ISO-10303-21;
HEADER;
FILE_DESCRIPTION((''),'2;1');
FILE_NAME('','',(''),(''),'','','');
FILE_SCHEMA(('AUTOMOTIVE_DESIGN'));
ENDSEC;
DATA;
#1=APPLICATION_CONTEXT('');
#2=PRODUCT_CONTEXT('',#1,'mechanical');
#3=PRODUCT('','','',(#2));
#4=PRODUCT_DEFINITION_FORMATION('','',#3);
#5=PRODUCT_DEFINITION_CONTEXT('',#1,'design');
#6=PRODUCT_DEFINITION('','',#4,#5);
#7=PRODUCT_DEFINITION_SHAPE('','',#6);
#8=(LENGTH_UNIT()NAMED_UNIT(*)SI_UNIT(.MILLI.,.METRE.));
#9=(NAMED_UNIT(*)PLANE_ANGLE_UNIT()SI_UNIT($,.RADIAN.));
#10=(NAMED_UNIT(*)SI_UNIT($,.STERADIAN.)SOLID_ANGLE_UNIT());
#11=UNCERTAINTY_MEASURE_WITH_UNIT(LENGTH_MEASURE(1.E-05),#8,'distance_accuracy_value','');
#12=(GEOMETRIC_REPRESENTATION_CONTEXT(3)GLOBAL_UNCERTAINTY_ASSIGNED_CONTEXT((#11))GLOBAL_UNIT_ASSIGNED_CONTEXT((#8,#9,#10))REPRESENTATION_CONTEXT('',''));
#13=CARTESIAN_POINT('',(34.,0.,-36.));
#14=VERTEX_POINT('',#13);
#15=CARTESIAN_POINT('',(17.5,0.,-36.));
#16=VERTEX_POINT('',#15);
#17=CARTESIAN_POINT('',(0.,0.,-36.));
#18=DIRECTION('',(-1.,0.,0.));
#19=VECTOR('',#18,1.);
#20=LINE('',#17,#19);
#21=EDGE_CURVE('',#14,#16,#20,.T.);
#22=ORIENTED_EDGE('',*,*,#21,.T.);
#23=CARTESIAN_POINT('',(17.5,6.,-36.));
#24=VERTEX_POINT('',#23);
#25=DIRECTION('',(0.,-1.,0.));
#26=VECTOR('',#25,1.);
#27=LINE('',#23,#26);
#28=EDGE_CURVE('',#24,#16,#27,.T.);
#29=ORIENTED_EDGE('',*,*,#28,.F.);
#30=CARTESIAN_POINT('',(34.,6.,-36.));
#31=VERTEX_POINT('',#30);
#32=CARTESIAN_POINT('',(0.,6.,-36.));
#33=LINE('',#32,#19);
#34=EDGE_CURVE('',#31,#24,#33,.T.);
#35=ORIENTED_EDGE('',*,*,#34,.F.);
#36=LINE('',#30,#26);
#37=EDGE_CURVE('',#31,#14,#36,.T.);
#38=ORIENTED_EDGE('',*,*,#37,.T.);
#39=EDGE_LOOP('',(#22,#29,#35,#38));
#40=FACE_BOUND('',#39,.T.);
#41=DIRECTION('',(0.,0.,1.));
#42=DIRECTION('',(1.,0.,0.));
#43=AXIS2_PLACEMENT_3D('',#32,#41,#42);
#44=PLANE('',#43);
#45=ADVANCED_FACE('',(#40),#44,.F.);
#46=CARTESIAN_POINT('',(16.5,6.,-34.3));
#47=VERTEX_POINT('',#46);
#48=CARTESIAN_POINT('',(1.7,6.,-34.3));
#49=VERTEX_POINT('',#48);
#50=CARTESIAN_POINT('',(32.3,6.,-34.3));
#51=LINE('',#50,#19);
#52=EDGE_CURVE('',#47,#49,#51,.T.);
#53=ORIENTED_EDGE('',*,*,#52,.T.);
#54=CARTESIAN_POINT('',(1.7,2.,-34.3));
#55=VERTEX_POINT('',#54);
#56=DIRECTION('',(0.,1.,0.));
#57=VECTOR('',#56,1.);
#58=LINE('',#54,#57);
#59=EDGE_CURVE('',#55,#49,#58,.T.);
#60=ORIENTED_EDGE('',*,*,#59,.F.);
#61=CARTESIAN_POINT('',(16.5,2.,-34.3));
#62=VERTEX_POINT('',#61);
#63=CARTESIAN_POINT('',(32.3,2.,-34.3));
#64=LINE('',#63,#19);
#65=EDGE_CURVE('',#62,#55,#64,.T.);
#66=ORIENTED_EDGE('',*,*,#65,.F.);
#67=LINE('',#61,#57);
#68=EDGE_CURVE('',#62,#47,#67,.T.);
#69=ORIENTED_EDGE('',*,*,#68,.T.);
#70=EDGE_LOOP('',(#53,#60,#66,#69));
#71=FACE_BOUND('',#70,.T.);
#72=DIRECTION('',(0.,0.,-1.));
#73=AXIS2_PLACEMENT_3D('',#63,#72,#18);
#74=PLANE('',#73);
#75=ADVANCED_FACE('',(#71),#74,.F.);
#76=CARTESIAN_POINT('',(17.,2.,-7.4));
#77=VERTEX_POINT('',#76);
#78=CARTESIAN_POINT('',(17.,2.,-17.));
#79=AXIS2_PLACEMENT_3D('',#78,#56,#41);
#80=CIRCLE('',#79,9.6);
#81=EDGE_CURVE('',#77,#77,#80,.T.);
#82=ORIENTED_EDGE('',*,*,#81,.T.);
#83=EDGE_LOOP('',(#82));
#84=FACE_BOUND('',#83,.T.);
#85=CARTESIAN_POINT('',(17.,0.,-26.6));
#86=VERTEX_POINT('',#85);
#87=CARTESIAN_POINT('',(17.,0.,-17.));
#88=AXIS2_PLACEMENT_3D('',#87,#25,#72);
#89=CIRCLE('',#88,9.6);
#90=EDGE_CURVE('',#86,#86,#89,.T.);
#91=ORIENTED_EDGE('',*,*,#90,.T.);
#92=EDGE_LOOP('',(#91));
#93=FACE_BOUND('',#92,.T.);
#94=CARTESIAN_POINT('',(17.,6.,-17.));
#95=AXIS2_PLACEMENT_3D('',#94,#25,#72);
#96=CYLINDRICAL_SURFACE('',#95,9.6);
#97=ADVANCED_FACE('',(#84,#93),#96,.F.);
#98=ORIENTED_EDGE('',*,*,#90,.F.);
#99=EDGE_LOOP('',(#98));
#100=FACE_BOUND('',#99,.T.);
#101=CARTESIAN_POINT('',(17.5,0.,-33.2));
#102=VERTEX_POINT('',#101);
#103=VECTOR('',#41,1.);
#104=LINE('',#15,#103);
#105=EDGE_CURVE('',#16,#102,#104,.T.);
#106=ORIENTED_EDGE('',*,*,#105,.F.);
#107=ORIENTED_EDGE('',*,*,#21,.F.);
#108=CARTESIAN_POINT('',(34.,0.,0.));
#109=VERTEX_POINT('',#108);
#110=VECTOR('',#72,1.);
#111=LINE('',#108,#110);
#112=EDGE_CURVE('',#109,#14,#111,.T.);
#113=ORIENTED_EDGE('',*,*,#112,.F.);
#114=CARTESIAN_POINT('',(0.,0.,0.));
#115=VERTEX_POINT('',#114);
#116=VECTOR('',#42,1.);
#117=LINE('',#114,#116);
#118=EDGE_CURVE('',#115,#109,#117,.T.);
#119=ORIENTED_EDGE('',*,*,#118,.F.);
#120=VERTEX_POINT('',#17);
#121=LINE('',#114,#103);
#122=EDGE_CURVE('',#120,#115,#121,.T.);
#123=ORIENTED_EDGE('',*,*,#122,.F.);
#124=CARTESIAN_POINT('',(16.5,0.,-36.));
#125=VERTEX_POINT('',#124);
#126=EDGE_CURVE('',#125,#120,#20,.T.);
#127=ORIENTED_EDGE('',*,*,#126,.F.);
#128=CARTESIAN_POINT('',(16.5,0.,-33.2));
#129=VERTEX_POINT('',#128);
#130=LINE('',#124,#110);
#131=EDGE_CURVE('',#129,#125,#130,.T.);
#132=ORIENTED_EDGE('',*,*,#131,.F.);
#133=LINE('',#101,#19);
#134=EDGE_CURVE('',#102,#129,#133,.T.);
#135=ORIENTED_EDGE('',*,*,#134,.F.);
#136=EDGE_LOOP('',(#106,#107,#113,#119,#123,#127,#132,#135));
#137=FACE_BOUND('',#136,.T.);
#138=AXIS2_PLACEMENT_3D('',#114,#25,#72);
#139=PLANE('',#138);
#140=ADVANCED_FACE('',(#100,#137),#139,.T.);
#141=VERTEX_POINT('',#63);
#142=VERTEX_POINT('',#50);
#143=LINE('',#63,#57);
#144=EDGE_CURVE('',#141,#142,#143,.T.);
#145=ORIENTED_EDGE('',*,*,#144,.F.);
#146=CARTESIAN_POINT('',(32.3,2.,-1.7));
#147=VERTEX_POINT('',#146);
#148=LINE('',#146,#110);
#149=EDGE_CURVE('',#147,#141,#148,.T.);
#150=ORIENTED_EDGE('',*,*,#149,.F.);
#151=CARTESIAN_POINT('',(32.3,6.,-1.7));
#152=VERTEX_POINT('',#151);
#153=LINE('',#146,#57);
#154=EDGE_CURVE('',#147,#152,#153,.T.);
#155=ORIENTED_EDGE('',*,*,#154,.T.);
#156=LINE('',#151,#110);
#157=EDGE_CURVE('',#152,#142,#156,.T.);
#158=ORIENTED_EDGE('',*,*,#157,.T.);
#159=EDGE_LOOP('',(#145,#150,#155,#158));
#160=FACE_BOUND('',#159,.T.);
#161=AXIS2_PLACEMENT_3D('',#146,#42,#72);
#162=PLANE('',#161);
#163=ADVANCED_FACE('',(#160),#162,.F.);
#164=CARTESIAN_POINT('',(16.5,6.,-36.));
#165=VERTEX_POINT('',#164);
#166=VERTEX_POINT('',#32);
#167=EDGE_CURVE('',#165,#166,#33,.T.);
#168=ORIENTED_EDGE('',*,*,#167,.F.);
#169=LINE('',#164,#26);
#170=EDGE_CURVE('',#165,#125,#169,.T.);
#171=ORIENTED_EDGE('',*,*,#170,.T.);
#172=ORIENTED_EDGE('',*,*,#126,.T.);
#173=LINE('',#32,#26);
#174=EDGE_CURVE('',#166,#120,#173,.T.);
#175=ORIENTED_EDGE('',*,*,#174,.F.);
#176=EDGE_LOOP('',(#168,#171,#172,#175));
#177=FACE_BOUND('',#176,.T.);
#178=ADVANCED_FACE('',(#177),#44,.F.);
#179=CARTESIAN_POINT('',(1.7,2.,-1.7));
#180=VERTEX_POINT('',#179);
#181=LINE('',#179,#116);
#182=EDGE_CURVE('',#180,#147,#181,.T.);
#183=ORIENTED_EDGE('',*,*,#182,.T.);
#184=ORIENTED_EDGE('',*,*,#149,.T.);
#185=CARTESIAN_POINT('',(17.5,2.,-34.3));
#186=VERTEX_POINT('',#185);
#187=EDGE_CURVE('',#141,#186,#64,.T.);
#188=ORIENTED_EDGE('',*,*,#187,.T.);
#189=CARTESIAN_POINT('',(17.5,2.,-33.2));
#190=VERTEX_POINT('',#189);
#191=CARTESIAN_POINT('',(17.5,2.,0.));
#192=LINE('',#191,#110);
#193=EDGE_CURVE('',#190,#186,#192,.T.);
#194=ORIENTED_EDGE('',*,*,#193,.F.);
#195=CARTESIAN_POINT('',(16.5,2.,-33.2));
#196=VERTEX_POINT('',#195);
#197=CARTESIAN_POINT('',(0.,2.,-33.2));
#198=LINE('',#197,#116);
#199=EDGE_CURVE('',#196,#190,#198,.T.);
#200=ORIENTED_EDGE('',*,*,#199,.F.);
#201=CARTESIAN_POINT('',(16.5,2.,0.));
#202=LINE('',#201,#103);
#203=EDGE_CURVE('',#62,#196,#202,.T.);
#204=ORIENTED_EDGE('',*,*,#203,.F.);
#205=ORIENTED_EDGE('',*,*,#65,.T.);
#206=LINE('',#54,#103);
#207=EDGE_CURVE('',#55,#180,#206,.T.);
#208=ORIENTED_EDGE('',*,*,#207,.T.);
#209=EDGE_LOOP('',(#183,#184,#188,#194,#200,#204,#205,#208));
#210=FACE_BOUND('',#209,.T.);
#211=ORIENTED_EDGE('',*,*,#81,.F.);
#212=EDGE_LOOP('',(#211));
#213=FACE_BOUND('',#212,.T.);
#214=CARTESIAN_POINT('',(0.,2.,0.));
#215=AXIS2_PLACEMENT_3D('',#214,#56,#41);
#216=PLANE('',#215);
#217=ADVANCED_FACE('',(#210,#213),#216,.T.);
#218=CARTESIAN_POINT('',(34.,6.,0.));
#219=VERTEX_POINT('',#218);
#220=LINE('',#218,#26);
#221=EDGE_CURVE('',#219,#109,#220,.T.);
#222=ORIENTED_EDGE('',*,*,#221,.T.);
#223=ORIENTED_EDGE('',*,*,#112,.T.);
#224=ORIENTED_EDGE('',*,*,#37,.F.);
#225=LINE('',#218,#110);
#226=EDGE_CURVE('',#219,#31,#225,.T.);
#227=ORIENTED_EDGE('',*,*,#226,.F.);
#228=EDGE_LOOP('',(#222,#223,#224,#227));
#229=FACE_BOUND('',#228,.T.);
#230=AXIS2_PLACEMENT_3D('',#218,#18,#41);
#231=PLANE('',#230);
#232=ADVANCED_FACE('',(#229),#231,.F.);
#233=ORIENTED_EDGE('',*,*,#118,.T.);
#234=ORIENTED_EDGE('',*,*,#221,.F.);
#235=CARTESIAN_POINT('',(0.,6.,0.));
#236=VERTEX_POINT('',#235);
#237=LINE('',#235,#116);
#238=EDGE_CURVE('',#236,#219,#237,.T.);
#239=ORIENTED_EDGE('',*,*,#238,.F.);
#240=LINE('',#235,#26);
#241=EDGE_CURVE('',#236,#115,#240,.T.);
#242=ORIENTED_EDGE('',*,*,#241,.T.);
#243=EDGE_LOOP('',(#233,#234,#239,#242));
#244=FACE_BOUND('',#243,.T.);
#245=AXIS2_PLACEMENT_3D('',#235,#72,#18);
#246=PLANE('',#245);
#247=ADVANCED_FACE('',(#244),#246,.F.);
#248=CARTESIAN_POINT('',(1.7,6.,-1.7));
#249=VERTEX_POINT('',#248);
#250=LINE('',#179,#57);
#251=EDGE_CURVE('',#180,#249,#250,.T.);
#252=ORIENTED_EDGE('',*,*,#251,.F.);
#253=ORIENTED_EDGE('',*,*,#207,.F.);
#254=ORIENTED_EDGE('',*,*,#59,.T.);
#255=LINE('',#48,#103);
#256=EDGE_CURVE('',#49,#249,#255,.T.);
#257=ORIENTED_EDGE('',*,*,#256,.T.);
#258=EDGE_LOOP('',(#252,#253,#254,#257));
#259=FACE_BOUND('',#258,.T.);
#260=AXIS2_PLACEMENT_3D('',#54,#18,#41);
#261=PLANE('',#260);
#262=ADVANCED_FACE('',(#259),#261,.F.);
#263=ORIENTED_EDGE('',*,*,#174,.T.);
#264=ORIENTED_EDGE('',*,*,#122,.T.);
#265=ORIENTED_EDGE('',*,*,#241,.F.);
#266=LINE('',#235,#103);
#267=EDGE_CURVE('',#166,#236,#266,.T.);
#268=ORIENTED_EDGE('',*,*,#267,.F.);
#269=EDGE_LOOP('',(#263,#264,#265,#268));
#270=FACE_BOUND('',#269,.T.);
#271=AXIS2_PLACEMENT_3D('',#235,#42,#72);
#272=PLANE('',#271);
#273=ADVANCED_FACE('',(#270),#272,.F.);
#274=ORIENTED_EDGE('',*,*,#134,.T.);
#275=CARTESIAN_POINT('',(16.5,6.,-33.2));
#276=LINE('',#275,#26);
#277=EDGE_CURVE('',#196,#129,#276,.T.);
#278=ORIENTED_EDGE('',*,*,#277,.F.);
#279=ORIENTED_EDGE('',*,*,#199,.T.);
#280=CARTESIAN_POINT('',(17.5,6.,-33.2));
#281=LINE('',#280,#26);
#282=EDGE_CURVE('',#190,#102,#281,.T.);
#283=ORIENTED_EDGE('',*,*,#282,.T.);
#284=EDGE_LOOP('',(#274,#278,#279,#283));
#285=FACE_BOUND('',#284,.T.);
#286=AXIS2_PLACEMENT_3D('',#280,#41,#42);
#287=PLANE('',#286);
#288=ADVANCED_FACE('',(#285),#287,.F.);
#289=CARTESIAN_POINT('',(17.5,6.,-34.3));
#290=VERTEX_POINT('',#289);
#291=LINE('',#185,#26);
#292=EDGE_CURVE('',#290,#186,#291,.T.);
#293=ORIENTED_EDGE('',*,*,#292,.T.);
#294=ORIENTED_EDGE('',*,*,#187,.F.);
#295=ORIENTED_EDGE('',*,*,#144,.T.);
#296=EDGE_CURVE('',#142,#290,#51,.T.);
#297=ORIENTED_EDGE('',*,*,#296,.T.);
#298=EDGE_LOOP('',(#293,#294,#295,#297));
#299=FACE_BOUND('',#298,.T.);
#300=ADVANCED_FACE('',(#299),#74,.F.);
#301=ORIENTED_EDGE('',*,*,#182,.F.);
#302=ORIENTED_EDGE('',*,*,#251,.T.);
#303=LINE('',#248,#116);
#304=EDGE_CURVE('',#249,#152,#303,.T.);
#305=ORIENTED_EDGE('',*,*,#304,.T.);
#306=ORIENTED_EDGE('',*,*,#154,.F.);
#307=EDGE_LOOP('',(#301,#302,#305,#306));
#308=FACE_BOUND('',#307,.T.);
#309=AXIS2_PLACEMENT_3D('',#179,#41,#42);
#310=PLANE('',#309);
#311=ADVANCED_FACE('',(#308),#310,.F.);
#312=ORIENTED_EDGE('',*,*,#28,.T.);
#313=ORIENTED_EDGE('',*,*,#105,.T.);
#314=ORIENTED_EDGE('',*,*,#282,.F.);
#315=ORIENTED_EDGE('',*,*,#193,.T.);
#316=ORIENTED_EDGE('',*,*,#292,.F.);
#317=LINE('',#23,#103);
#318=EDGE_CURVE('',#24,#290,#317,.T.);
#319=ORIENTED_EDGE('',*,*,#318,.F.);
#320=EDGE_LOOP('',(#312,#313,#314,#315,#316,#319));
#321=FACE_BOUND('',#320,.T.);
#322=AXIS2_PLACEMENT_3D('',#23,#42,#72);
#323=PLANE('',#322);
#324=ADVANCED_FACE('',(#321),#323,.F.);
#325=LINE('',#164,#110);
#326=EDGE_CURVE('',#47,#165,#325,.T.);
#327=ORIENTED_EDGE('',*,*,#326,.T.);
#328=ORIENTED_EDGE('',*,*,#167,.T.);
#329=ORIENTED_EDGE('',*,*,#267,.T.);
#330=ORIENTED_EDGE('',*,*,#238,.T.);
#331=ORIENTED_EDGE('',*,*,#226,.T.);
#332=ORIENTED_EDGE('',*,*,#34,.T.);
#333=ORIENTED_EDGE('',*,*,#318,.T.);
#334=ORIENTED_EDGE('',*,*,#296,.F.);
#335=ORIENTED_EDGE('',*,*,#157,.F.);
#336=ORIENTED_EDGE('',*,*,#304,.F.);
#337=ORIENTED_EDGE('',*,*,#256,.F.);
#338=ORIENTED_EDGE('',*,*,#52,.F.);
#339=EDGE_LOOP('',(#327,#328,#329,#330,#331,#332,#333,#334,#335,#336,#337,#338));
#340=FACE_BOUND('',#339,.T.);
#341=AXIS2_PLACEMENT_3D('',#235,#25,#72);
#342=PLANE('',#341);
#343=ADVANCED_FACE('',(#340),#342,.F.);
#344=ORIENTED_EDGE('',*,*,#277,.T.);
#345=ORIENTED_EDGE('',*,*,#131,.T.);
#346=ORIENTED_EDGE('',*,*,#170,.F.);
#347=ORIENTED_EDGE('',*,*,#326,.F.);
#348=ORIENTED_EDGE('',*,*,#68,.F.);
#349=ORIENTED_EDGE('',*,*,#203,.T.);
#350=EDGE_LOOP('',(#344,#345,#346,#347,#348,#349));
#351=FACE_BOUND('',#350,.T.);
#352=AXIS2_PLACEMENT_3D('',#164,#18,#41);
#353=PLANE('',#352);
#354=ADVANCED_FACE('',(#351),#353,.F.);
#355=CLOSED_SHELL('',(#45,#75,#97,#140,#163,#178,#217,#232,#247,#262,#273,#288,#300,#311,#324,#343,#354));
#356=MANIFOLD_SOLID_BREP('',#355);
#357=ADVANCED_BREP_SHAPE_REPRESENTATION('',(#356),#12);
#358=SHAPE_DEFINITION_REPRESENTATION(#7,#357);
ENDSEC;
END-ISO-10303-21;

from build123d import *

# Parameters (mm, degrees)
SKETCH1_W           = 34
SKETCH1_H           = 36
BOSS_EXTRUDE1_DEPTH = 6
SKETCH2_W           = 30.6
SKETCH2_H           = 32.6
CUT_EXTRUDE1_DEPTH  = 4
SKETCH3_R           = 9.6
CUT_EXTRUDE2_DEPTH  = 50.879855653
SKETCH4_W           = 1
SKETCH4_H           = 2.8
CUT_EXTRUDE3_DEPTH  = 50.879855653


with BuildPart() as part:
    # Sketch1 → Boss-Extrude1 (new body)
    with BuildSketch(Plane(origin=(0, 0, 0), x_dir=(1, 0, 0), z_dir=(0, 1, 0))):
        with Locations((17, 18)):
            Rectangle(SKETCH1_W, SKETCH1_H)
    extrude(amount=BOSS_EXTRUDE1_DEPTH)

    # Sketch2 → Cut-Extrude1 (cut)
    with BuildSketch(Plane(origin=(0, 6, 0), x_dir=(1, 0, 0), z_dir=(0, 1, 0))):
        with Locations((17, 18)):
            Rectangle(SKETCH2_W, SKETCH2_H)
    extrude(amount=-CUT_EXTRUDE1_DEPTH, mode=Mode.SUBTRACT)

    # Sketch3 → Cut-Extrude2 (cut, through all)
    with BuildSketch(Plane.XZ):
        with Locations(Location((17, -17, 0), (0, 0, 270))):
            Circle(SKETCH3_R)
    extrude(amount=-CUT_EXTRUDE2_DEPTH, mode=Mode.SUBTRACT)

    # Sketch4 → Cut-Extrude3 (cut, through all)
    with BuildSketch(Plane.XZ):
        with Locations((17, -34.6)):
            Rectangle(SKETCH4_W, SKETCH4_H)
    extrude(amount=-CUT_EXTRUDE3_DEPTH, mode=Mode.SUBTRACT)


solid = part.part
